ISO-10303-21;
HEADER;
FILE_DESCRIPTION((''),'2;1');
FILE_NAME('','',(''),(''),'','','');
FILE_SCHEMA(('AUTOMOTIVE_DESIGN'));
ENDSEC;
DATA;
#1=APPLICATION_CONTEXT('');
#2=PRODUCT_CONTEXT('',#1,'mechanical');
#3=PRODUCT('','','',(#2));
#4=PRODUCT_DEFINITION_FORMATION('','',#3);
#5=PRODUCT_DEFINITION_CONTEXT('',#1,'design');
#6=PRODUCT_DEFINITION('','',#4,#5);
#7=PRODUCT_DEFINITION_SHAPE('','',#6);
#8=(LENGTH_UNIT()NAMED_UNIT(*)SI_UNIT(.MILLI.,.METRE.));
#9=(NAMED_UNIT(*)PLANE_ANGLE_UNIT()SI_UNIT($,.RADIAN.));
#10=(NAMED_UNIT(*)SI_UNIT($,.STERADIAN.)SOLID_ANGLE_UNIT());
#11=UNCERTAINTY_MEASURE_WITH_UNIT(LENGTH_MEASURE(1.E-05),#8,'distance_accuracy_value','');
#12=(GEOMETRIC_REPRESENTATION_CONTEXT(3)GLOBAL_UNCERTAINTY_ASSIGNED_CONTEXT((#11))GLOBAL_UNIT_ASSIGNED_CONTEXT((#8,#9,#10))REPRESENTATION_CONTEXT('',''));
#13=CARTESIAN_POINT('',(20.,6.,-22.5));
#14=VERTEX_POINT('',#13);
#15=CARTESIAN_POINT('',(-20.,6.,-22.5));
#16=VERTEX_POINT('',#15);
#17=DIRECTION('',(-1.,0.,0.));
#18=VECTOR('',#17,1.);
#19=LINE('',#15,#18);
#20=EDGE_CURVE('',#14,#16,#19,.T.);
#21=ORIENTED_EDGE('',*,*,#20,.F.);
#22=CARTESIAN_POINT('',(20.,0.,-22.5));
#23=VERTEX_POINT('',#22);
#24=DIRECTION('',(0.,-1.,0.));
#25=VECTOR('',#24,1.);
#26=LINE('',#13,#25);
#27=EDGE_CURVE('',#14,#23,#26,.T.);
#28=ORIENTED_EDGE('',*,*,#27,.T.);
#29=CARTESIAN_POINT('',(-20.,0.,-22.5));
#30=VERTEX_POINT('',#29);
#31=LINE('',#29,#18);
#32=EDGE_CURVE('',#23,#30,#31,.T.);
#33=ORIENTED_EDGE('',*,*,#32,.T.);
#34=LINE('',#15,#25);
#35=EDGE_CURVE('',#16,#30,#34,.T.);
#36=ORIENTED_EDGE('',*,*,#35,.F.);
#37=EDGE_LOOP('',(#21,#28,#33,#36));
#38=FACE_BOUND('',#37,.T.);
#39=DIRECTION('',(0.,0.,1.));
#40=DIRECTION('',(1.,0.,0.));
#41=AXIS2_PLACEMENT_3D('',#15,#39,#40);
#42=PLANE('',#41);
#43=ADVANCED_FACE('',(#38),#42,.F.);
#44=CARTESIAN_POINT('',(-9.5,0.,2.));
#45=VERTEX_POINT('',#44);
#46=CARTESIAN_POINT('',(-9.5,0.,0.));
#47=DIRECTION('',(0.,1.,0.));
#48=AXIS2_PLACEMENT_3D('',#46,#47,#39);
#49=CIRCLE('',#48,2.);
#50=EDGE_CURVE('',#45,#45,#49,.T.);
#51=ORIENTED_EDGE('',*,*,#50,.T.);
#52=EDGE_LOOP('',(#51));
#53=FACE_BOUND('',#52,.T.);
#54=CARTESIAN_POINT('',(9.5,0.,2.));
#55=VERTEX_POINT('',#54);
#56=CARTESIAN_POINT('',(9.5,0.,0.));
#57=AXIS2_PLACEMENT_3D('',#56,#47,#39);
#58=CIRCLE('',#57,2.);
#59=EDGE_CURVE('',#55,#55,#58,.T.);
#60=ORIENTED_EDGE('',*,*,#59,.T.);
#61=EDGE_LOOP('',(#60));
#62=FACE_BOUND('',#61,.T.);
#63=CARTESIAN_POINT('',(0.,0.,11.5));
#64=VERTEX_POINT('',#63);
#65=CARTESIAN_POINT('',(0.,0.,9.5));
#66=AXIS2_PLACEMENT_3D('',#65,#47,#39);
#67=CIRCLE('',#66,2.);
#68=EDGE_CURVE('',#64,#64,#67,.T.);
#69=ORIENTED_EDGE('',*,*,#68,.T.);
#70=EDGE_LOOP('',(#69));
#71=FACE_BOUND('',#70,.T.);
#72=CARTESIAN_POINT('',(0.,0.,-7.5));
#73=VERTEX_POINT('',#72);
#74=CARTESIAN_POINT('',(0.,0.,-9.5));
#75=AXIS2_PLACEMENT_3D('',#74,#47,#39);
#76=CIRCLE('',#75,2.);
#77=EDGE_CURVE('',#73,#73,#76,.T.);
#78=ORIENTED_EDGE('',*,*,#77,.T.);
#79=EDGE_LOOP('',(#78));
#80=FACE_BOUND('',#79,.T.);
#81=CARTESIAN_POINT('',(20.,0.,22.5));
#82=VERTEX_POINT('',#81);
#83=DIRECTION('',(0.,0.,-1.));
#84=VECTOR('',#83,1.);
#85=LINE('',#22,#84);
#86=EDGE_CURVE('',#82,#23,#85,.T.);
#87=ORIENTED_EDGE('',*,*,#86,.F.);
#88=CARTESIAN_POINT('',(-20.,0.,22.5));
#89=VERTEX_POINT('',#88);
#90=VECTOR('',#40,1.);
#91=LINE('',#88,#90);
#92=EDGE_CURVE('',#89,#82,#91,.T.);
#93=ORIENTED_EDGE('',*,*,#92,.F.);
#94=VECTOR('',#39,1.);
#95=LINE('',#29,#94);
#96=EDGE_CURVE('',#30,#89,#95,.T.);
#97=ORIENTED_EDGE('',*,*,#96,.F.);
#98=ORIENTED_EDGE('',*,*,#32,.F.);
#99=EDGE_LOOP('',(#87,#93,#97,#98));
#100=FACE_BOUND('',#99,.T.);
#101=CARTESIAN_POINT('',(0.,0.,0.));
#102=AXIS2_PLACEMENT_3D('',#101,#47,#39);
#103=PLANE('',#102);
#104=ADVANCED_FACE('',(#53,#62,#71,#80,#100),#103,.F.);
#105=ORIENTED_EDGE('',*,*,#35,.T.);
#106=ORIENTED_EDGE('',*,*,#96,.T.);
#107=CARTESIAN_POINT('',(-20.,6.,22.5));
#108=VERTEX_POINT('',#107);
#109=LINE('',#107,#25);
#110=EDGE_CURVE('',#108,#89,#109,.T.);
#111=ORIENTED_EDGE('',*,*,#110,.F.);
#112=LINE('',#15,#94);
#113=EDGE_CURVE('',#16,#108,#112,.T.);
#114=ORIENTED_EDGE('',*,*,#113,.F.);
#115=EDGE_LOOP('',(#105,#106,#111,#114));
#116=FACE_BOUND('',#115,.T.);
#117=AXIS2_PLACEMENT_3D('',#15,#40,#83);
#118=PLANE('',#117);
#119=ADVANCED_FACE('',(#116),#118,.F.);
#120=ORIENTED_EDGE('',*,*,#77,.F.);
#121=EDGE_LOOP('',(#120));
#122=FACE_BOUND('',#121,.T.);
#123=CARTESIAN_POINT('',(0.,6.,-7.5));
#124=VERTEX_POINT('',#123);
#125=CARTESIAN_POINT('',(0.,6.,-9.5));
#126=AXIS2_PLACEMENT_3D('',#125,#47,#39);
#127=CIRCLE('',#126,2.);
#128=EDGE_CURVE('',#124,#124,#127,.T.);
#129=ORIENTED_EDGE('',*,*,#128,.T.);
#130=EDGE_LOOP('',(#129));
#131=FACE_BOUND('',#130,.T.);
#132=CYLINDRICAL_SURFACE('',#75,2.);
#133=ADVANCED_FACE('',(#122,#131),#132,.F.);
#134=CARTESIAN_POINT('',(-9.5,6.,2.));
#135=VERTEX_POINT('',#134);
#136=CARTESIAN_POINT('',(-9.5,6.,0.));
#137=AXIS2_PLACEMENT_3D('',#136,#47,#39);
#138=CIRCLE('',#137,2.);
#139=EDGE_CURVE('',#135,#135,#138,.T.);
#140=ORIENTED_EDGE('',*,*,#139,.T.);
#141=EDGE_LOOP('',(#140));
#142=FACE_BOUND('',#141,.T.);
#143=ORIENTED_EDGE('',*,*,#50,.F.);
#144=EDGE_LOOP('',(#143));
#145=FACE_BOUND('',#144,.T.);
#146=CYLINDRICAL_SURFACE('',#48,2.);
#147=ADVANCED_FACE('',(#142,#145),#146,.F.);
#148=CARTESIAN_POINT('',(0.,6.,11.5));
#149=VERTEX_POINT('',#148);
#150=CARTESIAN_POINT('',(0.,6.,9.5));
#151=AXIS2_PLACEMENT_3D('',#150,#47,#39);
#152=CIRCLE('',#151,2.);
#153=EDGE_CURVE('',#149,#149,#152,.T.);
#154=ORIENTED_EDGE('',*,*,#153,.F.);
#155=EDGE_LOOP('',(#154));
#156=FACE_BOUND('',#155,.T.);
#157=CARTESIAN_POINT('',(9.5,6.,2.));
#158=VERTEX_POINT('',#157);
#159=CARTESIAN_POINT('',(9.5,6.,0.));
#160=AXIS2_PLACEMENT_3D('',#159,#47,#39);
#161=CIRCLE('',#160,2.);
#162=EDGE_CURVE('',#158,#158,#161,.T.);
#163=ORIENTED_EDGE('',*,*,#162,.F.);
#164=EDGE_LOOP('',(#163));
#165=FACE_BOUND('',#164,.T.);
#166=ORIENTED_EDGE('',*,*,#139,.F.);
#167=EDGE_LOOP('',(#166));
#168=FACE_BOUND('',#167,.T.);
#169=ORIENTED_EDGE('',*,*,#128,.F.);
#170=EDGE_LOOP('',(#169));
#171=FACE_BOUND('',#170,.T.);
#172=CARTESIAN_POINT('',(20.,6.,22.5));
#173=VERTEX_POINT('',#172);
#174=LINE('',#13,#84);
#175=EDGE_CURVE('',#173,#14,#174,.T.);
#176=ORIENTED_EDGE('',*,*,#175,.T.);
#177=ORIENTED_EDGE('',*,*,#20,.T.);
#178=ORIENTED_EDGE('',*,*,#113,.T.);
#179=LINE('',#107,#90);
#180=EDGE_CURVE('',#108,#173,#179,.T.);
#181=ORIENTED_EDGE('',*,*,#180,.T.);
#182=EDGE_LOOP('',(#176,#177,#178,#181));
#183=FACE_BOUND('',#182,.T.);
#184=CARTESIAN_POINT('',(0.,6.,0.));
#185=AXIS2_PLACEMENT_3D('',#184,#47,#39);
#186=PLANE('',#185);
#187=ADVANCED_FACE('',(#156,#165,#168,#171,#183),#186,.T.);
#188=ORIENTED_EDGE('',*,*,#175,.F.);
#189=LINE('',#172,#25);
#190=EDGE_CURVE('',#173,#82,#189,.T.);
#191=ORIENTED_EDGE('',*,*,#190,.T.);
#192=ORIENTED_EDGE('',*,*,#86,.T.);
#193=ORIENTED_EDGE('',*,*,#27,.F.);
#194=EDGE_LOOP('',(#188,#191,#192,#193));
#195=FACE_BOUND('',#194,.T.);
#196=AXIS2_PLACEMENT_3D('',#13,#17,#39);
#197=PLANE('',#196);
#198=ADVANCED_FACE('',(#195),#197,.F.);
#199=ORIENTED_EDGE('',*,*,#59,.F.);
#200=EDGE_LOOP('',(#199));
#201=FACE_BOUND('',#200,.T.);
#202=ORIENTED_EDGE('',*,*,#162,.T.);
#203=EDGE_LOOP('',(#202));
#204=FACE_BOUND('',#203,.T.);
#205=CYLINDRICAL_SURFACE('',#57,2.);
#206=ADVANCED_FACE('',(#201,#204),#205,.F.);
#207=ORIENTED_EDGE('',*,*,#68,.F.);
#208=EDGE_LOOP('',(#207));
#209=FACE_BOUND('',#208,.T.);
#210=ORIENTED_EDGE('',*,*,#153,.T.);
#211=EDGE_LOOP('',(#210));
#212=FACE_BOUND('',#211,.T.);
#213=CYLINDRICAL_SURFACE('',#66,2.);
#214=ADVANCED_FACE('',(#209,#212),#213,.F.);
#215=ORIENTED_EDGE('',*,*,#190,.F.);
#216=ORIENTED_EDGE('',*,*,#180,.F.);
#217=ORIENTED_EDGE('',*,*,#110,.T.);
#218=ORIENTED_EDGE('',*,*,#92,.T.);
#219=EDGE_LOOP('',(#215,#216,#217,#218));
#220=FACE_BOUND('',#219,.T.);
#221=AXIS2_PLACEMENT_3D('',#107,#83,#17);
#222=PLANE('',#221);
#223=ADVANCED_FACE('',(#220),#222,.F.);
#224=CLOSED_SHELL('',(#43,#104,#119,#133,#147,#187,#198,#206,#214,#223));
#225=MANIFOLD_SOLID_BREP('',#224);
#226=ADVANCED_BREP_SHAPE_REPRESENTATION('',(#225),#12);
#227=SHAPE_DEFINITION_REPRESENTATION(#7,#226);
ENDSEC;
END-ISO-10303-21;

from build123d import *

# Parameters (mm, degrees)
SKETCH1_W           = 40
SKETCH1_H           = 45
BOSS_EXTRUDE1_DEPTH = 6
SKETCH2_R           = 2
CUT_EXTRUDE1_DEPTH  = 6


with BuildPart() as part:
    # Sketch1 → Boss-Extrude1 (new body)
    with BuildSketch(Plane(origin=(0, 0, 0), x_dir=(1, 0, 0), z_dir=(0, 1, 0))):
        Rectangle(SKETCH1_W, SKETCH1_H)
    extrude(amount=BOSS_EXTRUDE1_DEPTH)

    # Sketch2 → Cut-Extrude1 (cut)
    with BuildSketch(Plane(origin=(0, 6, 0), x_dir=(1, 0, 0), z_dir=(0, 1, 0))):
        with Locations(Location((0, 9.5, 0), (0, 0, 270))):
            Circle(SKETCH2_R)
        with Locations(Location((9.5, 0, 0), (0, 0, 270))):
            Circle(SKETCH2_R)
        with Locations(Location((0, -9.5, 0), (0, 0, 270))):
            Circle(SKETCH2_R)
        with Locations(Location((-9.5, 0, 0), (0, 0, 270))):
            Circle(SKETCH2_R)
    extrude(amount=-CUT_EXTRUDE1_DEPTH, mode=Mode.SUBTRACT)


solid = part.part
